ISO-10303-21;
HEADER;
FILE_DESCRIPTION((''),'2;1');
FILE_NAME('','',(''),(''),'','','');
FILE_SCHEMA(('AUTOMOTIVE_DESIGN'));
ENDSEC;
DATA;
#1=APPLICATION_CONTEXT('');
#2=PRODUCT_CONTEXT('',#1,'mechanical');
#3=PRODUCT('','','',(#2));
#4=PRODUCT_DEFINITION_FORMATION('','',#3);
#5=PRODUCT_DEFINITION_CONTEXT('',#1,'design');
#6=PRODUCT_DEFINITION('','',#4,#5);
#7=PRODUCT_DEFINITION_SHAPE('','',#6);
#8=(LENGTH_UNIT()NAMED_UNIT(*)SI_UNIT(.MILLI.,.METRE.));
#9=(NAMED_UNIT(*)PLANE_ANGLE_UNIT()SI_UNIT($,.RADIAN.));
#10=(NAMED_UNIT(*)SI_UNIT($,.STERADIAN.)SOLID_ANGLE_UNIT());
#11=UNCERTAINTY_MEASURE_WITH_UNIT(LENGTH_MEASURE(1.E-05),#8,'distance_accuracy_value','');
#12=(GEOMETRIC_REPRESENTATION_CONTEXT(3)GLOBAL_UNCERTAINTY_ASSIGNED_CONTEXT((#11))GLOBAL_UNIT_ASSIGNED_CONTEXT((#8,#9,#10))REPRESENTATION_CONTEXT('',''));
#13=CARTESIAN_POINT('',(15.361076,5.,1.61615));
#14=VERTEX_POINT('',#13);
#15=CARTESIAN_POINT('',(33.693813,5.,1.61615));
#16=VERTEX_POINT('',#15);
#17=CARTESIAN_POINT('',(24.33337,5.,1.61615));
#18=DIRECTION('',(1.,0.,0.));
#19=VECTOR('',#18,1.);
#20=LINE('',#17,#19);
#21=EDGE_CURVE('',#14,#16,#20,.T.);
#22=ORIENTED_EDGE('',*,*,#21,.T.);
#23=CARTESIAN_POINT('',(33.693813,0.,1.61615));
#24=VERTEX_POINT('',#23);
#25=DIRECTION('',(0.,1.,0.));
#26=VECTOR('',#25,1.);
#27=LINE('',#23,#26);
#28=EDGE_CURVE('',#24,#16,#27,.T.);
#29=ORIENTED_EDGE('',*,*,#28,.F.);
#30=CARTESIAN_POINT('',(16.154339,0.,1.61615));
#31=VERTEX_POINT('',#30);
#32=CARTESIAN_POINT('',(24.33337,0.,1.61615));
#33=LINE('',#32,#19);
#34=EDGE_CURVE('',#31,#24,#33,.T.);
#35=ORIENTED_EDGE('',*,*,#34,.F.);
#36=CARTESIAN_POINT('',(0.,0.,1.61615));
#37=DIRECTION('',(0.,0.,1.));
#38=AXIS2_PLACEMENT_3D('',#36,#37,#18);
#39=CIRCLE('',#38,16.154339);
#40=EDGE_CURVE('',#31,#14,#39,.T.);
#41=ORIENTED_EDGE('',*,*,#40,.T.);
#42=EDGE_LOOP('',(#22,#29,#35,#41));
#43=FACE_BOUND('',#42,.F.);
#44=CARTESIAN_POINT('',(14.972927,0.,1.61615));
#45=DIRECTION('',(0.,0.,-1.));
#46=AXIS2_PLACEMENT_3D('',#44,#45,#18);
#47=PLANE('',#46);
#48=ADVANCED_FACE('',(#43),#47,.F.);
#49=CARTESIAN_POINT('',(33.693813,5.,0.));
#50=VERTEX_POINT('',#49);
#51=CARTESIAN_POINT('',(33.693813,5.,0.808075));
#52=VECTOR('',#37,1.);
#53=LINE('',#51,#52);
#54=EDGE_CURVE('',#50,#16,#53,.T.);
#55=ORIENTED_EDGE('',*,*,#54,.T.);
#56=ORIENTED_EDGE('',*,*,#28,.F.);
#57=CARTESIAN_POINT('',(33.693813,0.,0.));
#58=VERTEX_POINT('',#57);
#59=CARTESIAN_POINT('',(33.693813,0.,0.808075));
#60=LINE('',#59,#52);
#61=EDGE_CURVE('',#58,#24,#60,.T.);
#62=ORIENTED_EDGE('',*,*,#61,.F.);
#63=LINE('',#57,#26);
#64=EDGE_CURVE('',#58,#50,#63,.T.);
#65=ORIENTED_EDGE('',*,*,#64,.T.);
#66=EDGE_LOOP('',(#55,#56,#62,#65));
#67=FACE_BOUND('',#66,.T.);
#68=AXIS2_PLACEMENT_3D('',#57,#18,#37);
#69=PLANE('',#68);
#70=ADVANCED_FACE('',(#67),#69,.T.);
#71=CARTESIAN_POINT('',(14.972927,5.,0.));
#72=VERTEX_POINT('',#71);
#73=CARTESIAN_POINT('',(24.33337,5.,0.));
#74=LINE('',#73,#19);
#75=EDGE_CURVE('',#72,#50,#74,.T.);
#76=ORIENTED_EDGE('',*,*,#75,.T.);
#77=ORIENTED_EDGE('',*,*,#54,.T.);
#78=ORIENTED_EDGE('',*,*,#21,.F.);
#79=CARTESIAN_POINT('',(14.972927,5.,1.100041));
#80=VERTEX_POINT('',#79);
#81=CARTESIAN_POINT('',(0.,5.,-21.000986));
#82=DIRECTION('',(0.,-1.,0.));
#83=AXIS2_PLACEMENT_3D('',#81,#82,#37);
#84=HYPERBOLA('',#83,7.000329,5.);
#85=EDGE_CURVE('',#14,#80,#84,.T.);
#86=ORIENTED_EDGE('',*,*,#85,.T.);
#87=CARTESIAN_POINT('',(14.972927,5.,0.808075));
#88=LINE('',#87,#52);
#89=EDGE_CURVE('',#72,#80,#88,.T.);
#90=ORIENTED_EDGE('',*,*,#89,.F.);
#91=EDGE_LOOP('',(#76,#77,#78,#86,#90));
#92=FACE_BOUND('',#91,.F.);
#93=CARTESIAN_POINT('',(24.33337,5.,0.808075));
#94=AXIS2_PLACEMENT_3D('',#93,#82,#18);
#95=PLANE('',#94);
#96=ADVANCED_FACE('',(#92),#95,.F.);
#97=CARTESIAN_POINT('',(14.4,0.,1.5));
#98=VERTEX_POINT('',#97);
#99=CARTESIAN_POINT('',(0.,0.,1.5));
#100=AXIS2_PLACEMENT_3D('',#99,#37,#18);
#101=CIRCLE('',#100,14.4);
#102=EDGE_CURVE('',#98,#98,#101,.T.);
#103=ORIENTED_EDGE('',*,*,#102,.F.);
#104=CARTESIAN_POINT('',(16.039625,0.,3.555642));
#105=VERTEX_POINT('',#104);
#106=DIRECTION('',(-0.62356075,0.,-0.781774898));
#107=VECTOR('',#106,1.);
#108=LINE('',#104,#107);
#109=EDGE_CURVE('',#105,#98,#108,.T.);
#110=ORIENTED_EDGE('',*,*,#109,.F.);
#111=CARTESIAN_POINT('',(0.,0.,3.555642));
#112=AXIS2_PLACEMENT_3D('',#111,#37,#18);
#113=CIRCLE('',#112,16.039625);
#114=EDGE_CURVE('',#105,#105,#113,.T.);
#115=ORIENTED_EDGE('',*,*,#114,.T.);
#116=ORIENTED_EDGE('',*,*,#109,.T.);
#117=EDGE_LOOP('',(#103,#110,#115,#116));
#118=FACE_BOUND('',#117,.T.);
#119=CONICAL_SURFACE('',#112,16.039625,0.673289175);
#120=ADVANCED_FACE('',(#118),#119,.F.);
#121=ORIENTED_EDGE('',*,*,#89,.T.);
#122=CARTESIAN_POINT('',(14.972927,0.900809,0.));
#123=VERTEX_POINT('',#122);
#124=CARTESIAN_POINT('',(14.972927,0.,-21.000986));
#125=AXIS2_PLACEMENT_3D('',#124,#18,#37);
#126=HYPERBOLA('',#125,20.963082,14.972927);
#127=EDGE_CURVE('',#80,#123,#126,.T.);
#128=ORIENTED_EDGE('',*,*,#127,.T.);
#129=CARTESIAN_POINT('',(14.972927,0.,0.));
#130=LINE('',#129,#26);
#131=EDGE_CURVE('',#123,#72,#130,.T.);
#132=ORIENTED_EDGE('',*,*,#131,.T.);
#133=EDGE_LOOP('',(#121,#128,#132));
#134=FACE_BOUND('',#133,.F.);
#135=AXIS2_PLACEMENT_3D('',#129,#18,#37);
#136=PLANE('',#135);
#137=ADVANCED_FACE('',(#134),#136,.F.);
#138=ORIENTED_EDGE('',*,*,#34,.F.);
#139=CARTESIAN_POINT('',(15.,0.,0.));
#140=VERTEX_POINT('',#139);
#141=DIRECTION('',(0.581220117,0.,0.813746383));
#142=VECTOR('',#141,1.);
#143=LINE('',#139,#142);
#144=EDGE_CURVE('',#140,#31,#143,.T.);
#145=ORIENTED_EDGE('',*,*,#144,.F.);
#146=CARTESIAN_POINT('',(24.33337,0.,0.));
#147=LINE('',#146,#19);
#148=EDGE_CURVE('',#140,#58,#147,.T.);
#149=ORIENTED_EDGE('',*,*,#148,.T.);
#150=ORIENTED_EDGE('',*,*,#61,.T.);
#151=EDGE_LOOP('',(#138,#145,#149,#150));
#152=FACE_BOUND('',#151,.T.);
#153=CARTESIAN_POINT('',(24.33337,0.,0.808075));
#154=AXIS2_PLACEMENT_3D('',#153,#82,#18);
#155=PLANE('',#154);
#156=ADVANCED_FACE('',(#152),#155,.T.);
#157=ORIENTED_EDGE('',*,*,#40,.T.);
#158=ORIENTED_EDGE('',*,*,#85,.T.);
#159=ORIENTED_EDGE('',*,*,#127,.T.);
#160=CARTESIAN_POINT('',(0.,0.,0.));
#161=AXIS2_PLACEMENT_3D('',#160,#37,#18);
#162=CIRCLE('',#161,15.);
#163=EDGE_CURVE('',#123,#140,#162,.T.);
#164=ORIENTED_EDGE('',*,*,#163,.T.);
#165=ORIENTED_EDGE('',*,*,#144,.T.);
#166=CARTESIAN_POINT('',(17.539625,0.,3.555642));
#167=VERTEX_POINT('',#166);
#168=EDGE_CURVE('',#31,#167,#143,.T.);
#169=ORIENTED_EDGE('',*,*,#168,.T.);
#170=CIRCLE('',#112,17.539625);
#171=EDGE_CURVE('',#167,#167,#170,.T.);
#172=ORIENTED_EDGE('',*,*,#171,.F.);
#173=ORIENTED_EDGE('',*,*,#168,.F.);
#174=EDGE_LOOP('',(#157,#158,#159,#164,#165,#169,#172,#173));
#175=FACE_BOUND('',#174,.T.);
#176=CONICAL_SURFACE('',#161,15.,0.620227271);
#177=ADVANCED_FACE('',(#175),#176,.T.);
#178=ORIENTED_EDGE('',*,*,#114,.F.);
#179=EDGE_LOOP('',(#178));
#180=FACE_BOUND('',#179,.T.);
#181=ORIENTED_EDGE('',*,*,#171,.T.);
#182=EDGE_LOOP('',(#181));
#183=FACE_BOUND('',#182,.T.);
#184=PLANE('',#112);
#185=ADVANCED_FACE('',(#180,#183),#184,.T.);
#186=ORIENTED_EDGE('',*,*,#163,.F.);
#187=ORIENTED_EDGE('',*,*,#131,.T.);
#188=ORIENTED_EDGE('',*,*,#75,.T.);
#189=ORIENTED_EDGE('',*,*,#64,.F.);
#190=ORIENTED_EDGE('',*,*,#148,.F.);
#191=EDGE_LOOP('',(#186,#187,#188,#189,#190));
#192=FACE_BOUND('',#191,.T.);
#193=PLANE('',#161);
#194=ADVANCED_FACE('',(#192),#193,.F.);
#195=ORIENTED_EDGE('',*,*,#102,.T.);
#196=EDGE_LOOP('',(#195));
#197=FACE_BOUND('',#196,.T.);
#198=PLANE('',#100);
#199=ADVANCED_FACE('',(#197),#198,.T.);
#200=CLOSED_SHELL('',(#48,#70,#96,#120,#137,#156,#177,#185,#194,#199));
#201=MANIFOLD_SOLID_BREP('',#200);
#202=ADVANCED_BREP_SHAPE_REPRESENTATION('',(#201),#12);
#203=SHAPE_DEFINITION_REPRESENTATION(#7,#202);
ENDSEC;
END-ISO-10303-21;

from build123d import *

# Parameters (mm, degrees)
SKETCH001_AS_DRAWN_W              = 18.720886
SKETCH001_AS_DRAWN_H              = 1.61615
EXTRUDE_DEPTH                     = 5
EXTRUDE_ONTO_SKETCH001_ROLL_ANGLE = 90
REVOLVE_ONTO_SKETCH_ROLL_ANGLE    = 90


with BuildPart() as pan_handle:
    # Sketch001 as drawn → Extrude (new)
    with BuildSketch(Plane.XY):
        with Locations((24.33337, 0.808075)):
            Rectangle(SKETCH001_AS_DRAWN_W, SKETCH001_AS_DRAWN_H)
    extrude(amount=-EXTRUDE_DEPTH)


with BuildPart() as pan_handle_1:
    # Extrude onto Sketch001 roll: moved
    add(pan_handle.part.rotate(Axis((0, 0, 0), (1, 0, 0)), EXTRUDE_ONTO_SKETCH001_ROLL_ANGLE))


with BuildPart() as pan_handle_2:
    # Extrude onto Sketch001 placement: moved
    add(pan_handle_1.part)


with BuildPart() as pan:
    # Sketch as drawn → Revolve (revolve)
    with BuildSketch(Plane.XY):
        Polygon((0, 0), (15, 0), (17.539625, 3.555642), (16.039625, 3.555642), (14.4, 1.5), (0, 1.5), align=None)
    revolve(axis=Axis((0, 0, 0), (0, 1, 0)))


with BuildPart() as pan_1:
    # Revolve onto Sketch roll: moved
    add(pan.part.rotate(Axis((0, 0, 0), (1, 0, 0)), REVOLVE_ONTO_SKETCH_ROLL_ANGLE))


with BuildPart() as pan_2:
    # Revolve onto Sketch placement: moved
    add(pan_1.part)

    # Fusion: union PAN_HANDLE
    add(pan_handle_2.part)


solid = pan_2.part
